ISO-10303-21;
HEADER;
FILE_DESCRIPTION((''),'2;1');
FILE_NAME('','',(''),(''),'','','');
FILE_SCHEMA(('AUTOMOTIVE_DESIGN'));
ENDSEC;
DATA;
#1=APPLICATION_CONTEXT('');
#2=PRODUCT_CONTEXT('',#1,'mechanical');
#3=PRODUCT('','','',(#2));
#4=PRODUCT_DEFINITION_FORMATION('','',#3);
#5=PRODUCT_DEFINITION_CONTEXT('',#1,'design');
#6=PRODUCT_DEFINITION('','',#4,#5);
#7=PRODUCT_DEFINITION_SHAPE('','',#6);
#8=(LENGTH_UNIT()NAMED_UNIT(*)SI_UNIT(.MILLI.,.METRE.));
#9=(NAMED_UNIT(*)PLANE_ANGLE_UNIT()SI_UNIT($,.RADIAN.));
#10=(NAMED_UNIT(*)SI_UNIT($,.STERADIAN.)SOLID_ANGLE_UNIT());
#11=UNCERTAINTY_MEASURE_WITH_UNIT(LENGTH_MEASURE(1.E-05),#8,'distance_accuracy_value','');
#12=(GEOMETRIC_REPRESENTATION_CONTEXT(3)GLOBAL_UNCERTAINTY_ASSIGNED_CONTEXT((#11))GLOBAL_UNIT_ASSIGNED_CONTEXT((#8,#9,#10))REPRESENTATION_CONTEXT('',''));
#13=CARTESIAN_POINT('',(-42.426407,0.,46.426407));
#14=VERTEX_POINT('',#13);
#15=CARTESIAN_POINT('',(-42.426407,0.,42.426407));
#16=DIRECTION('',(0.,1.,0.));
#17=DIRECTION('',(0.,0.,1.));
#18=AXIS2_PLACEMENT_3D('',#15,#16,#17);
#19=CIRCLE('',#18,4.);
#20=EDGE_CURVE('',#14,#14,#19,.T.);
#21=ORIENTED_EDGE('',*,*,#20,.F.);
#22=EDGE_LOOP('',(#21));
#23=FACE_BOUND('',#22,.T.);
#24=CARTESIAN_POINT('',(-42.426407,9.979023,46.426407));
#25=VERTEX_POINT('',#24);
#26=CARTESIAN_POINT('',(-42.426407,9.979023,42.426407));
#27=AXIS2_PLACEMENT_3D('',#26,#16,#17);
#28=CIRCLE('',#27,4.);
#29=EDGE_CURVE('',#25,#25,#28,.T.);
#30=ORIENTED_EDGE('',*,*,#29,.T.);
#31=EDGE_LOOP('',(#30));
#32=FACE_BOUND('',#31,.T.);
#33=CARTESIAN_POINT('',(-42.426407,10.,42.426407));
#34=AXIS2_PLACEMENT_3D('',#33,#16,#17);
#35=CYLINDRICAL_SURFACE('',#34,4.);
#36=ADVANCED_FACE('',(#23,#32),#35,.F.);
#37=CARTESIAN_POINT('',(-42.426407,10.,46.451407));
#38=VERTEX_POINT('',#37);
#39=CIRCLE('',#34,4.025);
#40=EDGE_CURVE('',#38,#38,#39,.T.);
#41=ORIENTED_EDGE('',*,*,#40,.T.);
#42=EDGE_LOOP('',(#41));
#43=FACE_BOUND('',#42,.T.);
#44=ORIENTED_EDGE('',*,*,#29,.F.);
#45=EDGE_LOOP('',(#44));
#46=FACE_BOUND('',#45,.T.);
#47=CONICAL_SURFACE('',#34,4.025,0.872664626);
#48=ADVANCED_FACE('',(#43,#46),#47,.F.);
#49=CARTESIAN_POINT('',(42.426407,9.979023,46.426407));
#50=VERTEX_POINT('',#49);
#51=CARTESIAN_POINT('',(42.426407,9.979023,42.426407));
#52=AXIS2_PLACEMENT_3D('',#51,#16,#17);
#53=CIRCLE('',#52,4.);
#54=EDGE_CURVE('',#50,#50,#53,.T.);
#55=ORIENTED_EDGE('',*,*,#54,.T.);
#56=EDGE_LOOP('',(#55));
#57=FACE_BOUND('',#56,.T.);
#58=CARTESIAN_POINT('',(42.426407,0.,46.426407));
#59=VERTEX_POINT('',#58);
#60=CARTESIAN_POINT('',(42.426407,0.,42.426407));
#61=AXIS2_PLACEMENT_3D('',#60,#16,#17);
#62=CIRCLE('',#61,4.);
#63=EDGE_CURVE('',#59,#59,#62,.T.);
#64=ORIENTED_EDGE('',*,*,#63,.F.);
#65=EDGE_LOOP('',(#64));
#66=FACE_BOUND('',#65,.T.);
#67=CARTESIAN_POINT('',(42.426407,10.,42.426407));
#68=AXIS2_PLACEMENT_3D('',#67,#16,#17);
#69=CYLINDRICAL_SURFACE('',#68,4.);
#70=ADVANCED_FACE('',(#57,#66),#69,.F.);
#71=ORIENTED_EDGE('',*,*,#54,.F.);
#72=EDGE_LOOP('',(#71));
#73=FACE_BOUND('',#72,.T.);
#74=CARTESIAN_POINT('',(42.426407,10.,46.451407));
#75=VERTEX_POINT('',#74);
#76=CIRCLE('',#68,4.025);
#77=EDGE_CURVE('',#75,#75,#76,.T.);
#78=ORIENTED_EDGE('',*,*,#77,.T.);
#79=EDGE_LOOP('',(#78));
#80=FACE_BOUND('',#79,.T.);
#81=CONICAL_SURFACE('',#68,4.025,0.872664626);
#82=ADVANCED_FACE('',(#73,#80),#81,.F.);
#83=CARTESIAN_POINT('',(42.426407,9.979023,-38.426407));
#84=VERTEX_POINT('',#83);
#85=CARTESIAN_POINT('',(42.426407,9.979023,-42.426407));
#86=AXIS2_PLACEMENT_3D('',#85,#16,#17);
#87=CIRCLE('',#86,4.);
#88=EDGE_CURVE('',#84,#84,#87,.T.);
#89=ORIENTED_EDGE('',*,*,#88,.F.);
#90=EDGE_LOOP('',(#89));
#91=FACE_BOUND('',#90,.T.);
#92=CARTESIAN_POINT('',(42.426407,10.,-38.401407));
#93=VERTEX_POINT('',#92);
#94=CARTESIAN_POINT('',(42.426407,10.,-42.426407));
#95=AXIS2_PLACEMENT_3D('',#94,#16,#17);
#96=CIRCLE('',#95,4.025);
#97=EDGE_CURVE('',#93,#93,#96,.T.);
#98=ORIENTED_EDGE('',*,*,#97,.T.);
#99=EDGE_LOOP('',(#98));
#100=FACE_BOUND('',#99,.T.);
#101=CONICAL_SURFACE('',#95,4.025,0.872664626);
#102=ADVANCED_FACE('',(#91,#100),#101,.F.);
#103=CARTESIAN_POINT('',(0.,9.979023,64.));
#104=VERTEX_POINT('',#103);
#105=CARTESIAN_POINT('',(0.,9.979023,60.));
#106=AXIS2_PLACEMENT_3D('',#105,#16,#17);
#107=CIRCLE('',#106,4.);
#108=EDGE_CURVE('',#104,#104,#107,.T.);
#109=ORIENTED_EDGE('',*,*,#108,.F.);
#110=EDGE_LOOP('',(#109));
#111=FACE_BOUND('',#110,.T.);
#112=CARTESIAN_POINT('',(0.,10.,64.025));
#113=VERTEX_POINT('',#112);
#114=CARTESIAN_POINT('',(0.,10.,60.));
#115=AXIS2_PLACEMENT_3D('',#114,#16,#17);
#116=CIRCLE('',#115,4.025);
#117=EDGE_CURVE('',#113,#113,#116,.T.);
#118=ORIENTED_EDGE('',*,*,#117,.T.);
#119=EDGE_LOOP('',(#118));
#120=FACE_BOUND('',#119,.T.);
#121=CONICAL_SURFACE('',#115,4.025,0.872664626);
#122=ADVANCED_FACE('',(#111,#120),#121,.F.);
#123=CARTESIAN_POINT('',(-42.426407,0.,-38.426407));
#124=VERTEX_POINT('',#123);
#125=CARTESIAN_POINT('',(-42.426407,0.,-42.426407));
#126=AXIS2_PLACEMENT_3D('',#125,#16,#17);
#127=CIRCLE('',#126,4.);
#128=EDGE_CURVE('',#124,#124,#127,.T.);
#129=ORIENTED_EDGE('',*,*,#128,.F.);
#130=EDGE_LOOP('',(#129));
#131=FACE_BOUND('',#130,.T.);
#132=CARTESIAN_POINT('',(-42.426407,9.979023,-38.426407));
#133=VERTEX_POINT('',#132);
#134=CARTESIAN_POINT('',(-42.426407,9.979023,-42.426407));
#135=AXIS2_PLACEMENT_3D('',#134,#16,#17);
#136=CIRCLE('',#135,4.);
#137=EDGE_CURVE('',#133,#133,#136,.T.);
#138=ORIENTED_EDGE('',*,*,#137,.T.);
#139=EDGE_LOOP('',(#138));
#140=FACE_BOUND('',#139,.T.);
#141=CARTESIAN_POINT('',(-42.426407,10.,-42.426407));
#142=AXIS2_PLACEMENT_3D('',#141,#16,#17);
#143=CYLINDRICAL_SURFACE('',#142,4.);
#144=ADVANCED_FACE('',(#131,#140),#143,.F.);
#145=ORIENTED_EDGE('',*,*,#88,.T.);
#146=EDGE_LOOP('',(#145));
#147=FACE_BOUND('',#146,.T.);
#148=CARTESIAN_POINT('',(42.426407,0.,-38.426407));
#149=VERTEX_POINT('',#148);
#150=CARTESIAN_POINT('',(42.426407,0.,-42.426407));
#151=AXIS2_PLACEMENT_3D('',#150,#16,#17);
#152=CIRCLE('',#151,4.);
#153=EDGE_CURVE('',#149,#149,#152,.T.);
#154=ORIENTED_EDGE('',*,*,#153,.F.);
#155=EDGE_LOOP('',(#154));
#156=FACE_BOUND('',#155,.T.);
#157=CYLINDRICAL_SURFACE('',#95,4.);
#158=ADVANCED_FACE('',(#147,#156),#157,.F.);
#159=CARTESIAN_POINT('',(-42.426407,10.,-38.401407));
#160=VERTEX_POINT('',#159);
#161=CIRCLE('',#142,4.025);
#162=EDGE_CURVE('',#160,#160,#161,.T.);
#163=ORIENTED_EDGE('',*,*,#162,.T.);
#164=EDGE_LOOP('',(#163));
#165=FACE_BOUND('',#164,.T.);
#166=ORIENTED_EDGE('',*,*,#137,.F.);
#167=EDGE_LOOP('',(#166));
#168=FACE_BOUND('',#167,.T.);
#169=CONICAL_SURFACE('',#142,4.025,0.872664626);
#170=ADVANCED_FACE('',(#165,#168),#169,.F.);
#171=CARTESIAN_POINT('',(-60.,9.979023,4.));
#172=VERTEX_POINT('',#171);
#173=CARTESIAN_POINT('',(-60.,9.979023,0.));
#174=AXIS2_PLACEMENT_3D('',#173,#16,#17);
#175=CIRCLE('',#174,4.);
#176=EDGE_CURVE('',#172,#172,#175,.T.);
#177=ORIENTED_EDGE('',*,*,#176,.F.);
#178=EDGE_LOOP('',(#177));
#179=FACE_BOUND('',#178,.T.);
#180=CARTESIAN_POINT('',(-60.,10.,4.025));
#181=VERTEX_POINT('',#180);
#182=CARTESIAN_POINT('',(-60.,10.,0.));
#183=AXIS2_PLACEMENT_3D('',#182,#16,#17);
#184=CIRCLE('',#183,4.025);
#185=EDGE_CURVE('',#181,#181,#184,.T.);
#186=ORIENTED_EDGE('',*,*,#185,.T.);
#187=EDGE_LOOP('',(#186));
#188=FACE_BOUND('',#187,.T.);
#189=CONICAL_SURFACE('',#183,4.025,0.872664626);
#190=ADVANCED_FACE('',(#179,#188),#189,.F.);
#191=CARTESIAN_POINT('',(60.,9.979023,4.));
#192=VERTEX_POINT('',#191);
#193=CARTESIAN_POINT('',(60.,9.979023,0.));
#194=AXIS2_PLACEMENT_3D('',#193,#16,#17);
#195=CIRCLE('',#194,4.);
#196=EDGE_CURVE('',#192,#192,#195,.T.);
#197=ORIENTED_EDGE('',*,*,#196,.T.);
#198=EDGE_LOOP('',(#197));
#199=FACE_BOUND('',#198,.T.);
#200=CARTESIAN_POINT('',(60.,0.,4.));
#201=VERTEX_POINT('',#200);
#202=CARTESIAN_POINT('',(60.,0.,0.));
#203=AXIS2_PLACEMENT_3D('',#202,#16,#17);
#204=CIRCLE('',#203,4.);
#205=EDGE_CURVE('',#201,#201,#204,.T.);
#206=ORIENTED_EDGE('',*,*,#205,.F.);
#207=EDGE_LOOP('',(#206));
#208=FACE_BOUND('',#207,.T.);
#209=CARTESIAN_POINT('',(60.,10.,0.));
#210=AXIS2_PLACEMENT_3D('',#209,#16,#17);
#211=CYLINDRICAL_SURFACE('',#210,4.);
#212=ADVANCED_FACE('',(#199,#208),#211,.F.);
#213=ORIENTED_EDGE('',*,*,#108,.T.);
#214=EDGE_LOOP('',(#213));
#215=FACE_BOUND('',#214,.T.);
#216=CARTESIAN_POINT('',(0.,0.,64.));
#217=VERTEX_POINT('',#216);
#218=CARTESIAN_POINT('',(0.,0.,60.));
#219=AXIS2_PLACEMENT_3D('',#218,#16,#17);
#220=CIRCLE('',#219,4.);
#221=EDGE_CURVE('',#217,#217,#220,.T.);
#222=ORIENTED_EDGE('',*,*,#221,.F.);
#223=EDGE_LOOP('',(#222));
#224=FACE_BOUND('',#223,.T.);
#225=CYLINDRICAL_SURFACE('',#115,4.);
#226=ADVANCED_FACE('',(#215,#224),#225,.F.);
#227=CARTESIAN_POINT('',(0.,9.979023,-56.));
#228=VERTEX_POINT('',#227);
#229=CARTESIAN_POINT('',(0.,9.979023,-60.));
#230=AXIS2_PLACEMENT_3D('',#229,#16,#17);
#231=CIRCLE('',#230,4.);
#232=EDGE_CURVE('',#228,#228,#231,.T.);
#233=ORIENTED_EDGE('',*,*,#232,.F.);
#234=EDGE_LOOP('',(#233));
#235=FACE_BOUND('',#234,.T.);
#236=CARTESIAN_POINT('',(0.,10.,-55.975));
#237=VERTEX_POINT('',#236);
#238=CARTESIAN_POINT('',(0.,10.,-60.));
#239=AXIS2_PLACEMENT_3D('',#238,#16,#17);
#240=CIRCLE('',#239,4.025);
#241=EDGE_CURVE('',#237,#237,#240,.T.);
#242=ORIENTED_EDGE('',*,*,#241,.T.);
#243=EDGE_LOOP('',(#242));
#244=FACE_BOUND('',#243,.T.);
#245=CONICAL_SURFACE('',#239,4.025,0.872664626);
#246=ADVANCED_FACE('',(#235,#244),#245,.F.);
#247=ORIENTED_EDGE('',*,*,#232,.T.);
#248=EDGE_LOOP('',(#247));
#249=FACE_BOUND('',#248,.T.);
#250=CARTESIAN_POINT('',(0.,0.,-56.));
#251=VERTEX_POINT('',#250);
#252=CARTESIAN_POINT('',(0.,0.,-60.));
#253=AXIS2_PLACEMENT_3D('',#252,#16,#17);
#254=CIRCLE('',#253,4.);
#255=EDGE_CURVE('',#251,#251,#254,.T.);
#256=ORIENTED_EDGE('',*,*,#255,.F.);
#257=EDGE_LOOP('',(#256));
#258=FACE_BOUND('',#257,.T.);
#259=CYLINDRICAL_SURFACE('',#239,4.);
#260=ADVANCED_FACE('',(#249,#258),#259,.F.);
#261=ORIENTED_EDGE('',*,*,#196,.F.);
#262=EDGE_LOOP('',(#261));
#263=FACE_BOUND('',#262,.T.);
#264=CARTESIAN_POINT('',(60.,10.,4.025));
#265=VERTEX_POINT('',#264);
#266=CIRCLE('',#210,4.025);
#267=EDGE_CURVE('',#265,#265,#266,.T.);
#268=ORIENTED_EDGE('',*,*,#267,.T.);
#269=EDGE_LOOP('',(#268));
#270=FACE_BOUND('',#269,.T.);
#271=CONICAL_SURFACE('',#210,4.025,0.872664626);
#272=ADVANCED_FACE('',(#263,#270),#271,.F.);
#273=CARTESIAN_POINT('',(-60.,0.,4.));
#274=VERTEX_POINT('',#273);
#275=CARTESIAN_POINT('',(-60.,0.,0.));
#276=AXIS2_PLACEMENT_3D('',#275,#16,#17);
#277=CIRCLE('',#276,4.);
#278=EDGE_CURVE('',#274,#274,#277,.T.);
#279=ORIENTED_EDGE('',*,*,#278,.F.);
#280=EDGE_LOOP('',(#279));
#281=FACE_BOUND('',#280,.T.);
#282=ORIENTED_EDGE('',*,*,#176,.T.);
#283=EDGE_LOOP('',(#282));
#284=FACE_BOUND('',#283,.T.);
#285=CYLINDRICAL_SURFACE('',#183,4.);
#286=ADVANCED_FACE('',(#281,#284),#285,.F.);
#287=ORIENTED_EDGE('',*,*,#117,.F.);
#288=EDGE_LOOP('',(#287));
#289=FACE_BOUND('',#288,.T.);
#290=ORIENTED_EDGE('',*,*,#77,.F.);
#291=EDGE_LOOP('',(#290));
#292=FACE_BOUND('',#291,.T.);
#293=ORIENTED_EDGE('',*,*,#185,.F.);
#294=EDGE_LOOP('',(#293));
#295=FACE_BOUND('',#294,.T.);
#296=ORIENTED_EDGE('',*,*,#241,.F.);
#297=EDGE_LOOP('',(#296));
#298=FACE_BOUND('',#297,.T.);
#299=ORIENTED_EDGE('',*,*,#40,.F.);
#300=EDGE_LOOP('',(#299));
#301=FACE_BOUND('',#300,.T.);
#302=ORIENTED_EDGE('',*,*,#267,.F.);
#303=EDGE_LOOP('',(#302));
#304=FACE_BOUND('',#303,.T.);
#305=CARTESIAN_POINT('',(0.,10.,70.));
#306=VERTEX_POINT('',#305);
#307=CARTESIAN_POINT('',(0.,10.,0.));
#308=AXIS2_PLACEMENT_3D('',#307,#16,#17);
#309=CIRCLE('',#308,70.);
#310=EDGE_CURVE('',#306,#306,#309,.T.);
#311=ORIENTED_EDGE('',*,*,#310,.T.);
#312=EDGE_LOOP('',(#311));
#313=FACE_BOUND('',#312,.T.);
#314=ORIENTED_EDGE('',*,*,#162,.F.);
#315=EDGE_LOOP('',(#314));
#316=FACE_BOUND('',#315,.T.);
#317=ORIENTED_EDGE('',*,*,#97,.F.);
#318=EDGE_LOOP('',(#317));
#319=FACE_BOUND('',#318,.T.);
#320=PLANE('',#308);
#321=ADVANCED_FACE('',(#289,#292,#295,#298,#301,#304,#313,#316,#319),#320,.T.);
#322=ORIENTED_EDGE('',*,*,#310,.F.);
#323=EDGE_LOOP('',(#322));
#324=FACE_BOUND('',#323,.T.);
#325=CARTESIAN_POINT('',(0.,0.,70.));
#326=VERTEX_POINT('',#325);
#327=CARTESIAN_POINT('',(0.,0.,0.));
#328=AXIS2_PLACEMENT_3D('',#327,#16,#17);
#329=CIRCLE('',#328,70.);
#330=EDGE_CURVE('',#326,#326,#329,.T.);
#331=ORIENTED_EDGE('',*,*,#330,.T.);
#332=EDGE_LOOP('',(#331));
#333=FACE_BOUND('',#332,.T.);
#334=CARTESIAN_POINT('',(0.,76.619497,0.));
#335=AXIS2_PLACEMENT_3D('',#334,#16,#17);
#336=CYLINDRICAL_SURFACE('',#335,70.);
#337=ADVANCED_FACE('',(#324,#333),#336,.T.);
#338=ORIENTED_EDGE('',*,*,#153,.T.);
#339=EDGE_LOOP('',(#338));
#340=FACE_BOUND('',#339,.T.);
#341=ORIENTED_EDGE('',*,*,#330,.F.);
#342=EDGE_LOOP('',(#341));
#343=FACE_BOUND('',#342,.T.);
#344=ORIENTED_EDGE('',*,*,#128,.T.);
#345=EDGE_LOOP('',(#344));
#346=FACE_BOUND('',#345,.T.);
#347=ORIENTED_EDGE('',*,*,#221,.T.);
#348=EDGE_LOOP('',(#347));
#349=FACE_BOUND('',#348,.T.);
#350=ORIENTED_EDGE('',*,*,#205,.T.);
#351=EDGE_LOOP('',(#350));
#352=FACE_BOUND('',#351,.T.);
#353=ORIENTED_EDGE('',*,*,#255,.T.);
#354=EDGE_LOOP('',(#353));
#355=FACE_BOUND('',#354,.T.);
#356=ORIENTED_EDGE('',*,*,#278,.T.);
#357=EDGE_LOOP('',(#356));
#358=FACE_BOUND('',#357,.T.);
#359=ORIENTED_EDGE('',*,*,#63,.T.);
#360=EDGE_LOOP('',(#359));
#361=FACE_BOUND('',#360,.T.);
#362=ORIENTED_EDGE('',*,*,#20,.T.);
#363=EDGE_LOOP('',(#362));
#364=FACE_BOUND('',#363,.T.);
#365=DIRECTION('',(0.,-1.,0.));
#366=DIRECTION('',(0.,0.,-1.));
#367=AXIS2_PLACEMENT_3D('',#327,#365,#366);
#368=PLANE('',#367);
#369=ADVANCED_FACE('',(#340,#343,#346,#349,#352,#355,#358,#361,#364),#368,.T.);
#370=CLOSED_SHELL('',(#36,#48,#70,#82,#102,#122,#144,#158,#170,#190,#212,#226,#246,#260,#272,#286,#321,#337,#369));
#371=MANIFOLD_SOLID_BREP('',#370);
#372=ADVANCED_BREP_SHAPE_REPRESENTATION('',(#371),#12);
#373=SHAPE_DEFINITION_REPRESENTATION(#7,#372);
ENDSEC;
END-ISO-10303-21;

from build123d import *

# Parameters (mm, degrees)
SKETCH_1_W                   = 70
SKETCH_1_H                   = 10
HOLE_WIZARD_M8_1_D           = 8
HOLE_WIZARD_M8_1_CSINK_D     = 8.05
HOLE_WIZARD_M8_1_CSINK_ANGLE = 100
PATTERN_CIRCULAR_2_COUNT     = 8


with BuildPart() as part:
    # 草图1 → 旋转1 (revolve)
    with BuildSketch(Plane.XY):
        with Locations((-35, 5)):
            Rectangle(SKETCH_1_W, SKETCH_1_H)
    revolve(axis=Axis((0, 76.619497233, 0), (0, -1, 0)))

    # M8 螺纹孔1 (through all)
    with Locations(Plane(origin=(0, 10, 0), x_dir=(1, 0, 0), z_dir=(0, 1, 0))):
        with Locations((-60, 0)):
            hole_wizard_m8_1 = CounterSinkHole(HOLE_WIZARD_M8_1_D / 2, HOLE_WIZARD_M8_1_CSINK_D / 2, counter_sink_angle=HOLE_WIZARD_M8_1_CSINK_ANGLE)

    # 阵列(圆周)2: M8 螺纹孔1 ×8 about axis
    pattern_circular_2_axis = Axis((0, 76.619497233, 0), (0, -1, 0))
    for i in range(1, PATTERN_CIRCULAR_2_COUNT):
        add(hole_wizard_m8_1.rotate(pattern_circular_2_axis, i * 360 / PATTERN_CIRCULAR_2_COUNT), mode=Mode.SUBTRACT)


solid = part.part
